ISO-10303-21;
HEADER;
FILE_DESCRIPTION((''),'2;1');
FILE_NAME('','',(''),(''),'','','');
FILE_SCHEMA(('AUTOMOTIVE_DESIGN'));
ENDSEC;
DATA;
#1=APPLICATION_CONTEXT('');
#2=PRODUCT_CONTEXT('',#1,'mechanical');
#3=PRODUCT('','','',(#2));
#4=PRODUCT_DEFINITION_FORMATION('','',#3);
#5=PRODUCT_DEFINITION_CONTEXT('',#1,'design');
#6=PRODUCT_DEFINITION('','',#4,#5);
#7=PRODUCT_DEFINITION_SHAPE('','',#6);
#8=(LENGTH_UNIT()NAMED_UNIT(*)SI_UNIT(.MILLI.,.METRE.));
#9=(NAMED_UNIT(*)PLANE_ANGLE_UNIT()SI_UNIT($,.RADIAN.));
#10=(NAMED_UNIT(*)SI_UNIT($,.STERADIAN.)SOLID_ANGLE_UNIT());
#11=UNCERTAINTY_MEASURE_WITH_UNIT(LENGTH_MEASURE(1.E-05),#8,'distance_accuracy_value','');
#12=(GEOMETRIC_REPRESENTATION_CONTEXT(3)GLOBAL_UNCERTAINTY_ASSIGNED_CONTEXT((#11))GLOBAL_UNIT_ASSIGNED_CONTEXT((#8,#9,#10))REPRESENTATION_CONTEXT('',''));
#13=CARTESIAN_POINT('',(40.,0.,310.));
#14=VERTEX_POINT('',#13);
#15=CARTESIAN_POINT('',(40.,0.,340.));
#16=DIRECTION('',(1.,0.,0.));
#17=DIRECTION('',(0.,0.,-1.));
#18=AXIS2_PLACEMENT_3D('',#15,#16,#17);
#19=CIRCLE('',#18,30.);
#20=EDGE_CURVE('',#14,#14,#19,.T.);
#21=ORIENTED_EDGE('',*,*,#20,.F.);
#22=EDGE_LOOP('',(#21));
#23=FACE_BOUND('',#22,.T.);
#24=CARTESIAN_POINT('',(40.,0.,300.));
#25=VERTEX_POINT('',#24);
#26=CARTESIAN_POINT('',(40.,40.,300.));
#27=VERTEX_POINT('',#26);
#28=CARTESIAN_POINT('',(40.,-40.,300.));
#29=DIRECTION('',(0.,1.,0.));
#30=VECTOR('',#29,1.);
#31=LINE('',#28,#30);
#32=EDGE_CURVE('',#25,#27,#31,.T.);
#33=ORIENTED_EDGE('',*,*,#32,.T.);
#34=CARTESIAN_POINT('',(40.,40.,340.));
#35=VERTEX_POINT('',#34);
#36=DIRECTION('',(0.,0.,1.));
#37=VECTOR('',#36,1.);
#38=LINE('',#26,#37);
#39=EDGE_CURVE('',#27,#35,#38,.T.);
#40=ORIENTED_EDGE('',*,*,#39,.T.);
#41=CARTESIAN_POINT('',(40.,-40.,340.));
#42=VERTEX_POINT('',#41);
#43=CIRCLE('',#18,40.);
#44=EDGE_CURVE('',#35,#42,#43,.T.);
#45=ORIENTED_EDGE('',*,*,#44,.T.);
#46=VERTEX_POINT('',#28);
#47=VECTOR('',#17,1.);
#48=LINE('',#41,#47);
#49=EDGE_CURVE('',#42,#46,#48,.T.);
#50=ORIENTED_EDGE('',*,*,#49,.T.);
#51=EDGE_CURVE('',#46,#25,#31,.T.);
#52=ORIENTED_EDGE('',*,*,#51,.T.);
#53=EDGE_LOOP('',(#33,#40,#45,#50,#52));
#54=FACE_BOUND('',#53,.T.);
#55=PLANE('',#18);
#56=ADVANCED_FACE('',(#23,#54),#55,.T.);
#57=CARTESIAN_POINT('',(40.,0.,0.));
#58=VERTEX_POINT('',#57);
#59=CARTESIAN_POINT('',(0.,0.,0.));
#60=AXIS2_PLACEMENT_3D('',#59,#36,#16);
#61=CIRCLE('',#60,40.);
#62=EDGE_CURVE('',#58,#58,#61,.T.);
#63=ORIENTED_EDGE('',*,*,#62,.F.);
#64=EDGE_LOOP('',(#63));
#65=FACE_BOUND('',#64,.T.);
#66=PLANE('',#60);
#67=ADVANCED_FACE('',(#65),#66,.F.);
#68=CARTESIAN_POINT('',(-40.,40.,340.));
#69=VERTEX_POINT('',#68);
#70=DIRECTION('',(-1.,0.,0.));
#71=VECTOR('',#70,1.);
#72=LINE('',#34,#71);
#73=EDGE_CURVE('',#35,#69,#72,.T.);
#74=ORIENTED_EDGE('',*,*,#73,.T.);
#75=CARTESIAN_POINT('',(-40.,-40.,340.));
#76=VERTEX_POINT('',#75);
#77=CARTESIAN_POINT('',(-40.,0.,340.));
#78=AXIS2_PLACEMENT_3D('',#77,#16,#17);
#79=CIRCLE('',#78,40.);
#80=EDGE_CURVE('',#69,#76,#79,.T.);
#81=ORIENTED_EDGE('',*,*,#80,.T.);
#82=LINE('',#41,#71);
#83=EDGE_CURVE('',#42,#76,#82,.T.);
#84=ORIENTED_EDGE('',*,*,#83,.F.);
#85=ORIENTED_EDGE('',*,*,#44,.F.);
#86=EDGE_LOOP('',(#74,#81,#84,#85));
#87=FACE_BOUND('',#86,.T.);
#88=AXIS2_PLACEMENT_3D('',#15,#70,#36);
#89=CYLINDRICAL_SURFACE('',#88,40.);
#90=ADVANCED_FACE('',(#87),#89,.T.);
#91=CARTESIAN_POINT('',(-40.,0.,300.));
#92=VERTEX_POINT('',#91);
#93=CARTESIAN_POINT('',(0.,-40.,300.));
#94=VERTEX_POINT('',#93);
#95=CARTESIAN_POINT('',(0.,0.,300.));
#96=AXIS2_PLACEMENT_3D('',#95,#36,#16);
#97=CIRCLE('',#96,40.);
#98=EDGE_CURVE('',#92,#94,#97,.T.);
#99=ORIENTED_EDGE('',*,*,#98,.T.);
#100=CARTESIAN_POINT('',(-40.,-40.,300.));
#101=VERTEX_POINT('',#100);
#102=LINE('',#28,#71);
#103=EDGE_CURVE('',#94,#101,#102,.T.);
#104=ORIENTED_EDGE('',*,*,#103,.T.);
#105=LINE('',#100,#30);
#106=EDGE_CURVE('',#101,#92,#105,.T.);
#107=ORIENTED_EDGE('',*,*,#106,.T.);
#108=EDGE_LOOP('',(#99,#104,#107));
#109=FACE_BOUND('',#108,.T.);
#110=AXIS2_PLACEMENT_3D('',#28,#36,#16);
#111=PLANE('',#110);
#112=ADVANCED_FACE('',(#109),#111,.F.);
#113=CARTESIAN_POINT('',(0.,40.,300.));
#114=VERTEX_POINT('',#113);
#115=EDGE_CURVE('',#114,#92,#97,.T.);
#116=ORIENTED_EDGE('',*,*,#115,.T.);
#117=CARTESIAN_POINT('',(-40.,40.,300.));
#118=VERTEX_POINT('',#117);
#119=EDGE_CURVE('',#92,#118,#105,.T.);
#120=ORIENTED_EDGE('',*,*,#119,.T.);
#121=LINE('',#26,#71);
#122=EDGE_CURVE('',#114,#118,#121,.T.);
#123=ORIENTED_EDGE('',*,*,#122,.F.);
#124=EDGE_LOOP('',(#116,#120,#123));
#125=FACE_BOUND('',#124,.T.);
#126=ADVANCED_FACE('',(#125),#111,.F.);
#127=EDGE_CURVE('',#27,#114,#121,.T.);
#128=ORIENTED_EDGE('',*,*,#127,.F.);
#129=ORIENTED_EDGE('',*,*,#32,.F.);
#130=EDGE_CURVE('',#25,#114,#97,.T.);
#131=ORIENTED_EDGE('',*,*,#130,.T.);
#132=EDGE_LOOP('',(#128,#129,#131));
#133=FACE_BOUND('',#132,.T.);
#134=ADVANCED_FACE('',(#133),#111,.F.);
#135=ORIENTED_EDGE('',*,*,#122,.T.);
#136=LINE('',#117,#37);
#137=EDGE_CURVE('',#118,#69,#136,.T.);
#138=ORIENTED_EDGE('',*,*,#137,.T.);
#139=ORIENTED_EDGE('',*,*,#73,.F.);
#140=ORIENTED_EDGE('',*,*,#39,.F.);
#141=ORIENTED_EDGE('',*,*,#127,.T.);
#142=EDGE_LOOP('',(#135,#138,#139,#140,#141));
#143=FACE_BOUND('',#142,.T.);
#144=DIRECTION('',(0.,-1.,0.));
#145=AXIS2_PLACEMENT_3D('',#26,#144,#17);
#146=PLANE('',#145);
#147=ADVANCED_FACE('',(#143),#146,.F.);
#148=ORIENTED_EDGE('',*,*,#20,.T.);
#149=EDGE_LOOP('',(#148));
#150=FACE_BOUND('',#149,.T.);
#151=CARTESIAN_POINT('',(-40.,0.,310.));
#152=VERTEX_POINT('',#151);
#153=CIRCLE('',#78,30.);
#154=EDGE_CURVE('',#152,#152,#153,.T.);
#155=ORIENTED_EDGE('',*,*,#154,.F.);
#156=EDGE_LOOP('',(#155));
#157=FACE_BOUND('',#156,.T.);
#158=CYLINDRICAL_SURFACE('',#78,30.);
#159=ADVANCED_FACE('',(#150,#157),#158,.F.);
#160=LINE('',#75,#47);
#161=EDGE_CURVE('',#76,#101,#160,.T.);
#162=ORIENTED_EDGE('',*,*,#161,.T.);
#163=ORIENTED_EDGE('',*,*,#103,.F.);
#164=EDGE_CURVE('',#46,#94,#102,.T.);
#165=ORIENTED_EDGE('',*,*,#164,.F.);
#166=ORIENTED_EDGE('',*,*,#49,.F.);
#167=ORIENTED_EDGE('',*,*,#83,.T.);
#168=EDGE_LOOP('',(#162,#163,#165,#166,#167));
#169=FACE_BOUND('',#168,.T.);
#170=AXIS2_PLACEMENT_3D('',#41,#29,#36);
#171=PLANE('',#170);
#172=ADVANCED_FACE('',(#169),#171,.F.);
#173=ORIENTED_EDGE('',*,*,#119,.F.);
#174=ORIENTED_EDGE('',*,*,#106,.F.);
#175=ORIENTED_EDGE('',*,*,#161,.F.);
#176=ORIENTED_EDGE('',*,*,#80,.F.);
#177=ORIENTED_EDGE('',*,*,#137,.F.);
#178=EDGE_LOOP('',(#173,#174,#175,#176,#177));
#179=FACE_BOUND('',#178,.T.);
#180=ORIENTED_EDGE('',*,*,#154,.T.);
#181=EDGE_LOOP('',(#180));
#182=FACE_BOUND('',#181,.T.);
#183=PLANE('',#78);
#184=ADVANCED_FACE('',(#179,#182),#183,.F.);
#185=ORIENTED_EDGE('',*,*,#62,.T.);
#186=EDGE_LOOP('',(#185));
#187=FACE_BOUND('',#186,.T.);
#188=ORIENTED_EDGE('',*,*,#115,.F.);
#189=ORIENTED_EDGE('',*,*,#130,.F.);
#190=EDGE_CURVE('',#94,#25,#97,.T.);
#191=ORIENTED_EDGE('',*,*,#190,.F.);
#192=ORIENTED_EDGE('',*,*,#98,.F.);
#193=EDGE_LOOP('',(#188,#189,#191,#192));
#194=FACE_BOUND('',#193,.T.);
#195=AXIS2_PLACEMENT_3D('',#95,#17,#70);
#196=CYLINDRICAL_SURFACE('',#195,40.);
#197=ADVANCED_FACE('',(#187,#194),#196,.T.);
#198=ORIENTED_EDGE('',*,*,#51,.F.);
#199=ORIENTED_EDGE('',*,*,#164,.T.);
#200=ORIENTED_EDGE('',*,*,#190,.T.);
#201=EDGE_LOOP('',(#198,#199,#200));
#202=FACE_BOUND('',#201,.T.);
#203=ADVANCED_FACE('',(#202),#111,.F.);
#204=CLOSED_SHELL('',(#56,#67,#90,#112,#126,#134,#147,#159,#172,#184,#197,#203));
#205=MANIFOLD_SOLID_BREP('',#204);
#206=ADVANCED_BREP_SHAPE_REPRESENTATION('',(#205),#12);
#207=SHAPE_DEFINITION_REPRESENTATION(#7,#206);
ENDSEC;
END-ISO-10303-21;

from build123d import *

# Parameters (mm, degrees)
SZKIC1_R                    = 40
DODANIE_WYCI_GNI_CIE1_DEPTH = 300
DODANIE_WYCI_GNI_CIE2_DEPTH = 40
SZKIC3_R                    = 30
WYTNIJ_WYCI_GNI_CIE1_DEPTH  = 81


with BuildPart() as part:
    # Szkic1 → Dodanie-wyciągnięcie1 (new body)
    with BuildSketch(Plane.XY):
        Circle(SZKIC1_R)
    extrude(amount=DODANIE_WYCI_GNI_CIE1_DEPTH)

    # Szkic2 → Dodanie-wyciągnięcie2 (add, symmetric)
    with BuildSketch(Plane(origin=(0, 0, 0), x_dir=(0, 0, -1), z_dir=(1, 0, 0))):
        with BuildLine():
            Line((-340, -40), (-300, -40))
            Line((-300, -40), (-300, 40))
            Line((-300, 40), (-340, 40))
            ThreePointArc((-340, 40), (-380, 0), (-340, -40))
        make_face()
    extrude(amount=DODANIE_WYCI_GNI_CIE2_DEPTH, both=True)

    # Szkic3 → Wytnij-wyciągnięcie1 (cut, through all)
    with BuildSketch(Plane(origin=(40, 0, 0), x_dir=(0, 0, -1), z_dir=(1, 0, 0))):
        with Locations((-340, 0)):
            Circle(SZKIC3_R)
    extrude(amount=-WYTNIJ_WYCI_GNI_CIE1_DEPTH, mode=Mode.SUBTRACT)


solid = part.part
